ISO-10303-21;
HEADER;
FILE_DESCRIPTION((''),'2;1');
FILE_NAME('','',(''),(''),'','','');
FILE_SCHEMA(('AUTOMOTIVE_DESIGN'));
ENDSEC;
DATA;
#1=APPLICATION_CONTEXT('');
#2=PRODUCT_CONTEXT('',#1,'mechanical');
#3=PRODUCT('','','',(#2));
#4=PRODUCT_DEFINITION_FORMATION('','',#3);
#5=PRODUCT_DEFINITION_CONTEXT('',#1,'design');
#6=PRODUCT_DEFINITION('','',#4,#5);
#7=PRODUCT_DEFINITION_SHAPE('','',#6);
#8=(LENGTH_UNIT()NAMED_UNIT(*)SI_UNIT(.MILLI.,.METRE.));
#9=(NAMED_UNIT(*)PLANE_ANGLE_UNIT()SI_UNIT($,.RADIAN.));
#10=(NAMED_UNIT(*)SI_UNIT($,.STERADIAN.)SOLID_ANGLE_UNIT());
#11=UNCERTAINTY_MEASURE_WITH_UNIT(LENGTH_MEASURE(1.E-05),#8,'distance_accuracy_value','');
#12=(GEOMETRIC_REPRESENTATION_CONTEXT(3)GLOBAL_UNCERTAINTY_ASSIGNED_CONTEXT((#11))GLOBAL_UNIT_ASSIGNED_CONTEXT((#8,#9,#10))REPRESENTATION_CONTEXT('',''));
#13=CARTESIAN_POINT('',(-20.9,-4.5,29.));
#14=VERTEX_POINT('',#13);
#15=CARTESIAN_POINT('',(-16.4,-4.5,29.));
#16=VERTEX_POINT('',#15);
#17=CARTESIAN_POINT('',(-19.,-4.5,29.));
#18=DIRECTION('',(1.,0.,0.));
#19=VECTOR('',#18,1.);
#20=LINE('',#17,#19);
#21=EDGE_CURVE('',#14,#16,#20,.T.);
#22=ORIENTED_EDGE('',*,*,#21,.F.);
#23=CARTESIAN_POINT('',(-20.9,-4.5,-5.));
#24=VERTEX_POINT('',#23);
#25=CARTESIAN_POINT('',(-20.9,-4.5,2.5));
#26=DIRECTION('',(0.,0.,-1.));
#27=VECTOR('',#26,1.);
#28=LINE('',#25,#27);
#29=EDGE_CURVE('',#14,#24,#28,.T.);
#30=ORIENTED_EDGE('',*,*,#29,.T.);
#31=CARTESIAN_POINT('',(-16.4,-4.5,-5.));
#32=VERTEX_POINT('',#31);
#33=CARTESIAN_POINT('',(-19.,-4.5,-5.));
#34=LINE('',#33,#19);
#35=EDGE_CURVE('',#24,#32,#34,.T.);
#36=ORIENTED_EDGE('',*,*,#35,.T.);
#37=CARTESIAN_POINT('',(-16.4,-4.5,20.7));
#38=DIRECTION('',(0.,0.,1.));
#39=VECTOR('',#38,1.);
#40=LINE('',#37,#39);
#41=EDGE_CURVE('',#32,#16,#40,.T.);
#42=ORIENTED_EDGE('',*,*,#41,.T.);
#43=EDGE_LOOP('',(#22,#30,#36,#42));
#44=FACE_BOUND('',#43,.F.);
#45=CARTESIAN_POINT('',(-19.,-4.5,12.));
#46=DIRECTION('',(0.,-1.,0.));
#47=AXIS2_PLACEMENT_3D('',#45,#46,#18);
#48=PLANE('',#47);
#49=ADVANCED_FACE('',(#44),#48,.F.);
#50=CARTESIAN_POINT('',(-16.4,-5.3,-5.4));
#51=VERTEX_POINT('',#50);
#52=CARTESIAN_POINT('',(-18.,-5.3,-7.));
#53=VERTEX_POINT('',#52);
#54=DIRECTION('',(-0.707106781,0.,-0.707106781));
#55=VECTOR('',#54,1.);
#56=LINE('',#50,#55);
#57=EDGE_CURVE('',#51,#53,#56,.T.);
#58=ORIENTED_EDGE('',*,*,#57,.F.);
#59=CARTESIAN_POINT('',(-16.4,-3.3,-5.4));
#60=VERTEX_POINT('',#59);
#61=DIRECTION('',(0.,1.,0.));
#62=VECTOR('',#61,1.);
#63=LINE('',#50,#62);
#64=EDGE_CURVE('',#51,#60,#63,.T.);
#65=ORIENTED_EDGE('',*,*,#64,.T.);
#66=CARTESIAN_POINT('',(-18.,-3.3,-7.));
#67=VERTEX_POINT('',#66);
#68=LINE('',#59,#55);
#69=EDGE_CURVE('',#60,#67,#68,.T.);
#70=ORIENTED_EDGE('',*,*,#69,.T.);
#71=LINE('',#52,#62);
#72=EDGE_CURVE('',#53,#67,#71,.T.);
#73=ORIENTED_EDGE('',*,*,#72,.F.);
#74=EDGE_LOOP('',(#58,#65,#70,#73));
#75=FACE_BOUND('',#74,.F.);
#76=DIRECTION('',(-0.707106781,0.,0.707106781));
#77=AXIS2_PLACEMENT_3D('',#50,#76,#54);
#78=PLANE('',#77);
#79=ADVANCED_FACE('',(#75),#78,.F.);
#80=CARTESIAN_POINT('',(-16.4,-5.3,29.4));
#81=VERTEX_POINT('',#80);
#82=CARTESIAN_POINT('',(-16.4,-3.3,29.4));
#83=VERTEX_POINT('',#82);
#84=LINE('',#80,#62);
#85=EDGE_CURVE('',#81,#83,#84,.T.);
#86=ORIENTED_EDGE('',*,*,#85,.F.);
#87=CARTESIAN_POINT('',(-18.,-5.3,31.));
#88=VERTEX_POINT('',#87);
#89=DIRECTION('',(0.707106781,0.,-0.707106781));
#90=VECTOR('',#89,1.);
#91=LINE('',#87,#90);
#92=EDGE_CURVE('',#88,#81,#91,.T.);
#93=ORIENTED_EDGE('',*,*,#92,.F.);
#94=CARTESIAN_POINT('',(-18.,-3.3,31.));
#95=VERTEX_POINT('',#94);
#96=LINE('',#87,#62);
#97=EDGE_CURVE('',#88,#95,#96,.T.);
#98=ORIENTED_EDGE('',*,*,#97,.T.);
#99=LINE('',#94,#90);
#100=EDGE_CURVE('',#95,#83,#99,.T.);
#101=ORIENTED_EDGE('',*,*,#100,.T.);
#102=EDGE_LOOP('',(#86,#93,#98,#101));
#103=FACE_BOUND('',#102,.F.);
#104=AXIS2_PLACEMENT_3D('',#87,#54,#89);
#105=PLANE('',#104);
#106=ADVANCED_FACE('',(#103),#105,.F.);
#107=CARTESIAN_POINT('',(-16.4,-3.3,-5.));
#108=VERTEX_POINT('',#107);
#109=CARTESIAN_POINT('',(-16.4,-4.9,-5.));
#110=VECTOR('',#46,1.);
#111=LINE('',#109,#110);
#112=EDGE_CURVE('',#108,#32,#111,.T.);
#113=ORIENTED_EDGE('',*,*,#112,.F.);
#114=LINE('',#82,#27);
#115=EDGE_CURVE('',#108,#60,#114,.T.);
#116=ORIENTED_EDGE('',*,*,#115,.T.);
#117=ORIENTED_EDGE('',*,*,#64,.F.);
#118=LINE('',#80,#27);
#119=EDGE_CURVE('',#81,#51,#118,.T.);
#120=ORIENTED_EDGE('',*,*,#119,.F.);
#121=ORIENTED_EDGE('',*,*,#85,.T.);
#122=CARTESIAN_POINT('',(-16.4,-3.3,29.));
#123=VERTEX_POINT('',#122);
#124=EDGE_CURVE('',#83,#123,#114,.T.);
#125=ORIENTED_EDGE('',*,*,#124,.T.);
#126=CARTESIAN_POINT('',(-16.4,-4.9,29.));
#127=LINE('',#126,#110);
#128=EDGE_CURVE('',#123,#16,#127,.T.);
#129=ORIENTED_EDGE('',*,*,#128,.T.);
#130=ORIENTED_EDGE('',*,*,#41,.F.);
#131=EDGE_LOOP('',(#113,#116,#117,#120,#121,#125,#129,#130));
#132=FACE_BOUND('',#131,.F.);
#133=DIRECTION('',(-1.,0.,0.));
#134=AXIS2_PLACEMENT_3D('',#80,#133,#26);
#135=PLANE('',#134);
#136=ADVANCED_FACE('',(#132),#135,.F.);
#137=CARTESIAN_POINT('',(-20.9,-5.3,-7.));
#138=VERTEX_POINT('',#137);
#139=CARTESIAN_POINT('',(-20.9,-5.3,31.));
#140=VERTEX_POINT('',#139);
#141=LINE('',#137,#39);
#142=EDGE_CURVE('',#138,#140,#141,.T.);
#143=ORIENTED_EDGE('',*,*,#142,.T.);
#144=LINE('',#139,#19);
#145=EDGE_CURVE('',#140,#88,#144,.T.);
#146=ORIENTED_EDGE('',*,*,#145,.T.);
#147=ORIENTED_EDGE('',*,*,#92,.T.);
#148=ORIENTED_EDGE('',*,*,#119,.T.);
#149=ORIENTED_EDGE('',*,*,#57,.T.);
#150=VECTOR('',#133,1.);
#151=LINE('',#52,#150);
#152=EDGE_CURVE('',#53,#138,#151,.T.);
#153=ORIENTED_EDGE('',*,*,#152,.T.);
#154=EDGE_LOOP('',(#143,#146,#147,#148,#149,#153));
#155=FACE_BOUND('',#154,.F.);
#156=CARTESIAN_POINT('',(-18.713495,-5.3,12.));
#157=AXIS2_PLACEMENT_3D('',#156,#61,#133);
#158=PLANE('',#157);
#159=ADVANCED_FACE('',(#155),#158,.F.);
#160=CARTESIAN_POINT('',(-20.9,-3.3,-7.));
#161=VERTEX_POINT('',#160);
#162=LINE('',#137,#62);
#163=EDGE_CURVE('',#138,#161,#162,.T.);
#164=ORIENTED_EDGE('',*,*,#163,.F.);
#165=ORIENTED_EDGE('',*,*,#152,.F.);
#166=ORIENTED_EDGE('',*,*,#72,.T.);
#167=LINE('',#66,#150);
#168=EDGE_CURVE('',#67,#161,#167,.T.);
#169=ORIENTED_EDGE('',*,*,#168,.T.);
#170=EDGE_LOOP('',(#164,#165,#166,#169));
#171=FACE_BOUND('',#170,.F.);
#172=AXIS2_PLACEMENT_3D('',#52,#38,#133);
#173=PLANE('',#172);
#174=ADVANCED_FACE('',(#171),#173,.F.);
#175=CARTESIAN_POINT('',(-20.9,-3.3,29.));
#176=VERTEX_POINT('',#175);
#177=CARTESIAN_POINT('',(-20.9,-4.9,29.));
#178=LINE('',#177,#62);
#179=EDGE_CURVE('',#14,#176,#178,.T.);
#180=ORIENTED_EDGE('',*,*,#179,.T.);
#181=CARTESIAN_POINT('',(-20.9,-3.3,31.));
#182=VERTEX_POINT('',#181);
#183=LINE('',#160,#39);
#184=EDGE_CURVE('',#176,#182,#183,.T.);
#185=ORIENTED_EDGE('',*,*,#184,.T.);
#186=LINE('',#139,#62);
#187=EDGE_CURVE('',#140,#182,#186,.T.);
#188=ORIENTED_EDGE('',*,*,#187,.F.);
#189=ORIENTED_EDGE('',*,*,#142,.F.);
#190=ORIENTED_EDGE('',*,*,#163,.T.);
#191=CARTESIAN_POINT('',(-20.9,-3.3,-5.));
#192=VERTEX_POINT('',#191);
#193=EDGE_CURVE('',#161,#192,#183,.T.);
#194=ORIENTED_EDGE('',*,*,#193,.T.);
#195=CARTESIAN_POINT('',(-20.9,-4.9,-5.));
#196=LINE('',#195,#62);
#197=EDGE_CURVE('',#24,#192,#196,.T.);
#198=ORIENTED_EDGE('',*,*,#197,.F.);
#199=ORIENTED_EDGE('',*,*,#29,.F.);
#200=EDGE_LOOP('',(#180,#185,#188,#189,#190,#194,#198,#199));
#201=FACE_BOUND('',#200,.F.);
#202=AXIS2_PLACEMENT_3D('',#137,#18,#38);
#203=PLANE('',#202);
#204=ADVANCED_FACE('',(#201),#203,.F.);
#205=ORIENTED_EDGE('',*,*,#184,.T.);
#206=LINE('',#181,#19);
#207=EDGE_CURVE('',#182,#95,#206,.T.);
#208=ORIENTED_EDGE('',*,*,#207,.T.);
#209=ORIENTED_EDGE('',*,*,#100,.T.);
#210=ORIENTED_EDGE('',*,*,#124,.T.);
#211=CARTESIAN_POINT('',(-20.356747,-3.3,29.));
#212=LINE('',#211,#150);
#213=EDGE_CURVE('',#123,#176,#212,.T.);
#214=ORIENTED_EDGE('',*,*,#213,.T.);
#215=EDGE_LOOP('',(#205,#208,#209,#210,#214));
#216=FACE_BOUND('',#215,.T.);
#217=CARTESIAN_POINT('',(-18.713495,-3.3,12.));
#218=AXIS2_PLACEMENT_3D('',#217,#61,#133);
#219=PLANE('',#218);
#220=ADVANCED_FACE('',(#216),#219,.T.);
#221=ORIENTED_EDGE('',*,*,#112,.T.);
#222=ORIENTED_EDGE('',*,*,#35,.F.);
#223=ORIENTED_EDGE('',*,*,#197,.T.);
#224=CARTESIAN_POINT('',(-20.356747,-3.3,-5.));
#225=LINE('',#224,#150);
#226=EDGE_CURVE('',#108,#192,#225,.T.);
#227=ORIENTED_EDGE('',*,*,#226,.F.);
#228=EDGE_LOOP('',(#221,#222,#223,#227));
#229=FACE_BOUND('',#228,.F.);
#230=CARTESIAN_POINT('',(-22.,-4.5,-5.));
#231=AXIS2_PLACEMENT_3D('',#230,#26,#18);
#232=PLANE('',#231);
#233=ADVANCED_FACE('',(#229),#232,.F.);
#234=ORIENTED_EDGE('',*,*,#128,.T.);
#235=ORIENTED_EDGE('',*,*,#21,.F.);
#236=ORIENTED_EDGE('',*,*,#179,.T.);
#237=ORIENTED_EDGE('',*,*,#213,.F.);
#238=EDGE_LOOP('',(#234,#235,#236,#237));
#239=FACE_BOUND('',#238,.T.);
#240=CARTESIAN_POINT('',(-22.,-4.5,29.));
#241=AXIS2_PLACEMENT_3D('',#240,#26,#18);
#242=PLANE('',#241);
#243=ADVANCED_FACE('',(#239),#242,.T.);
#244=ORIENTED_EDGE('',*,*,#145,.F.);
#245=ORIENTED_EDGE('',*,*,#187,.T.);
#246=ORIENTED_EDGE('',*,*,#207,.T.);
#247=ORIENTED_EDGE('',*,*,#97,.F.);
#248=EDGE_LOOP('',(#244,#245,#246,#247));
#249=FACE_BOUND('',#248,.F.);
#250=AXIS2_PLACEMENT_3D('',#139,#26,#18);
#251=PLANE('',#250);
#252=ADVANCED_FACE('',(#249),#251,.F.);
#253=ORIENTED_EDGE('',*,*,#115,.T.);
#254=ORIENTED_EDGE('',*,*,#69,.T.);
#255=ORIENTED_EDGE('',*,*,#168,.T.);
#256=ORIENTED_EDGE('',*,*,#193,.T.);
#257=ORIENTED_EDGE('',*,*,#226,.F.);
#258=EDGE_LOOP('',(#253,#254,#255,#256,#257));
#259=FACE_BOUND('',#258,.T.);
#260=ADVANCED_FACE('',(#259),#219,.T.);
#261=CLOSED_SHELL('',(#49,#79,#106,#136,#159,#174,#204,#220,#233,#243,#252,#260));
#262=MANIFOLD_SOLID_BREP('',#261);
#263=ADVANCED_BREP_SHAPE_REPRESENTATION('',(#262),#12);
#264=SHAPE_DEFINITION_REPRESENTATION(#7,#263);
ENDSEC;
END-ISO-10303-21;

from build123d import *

# Parameters (mm, degrees)
SKETCH040_W      = 6
SKETCH040_H      = 34
EXTRUDE049_DEPTH = 2
EXTRUDE048_DEPTH = 2


with BuildPart() as extrude049:
    # Sketch040 → Extrude049 (new body)
    with BuildSketch(Plane.XZ.offset(4.5)):
        with Locations((-59, 12)):
            Rectangle(SKETCH040_W, SKETCH040_H)
    extrude(amount=-EXTRUDE049_DEPTH)


with BuildPart() as bulge_overlap:
    # Sketch039 → Extrude048 (new body)
    with BuildSketch(Plane.XZ.offset(5.3)):
        Polygon((-58, 31), (-56.4, 29.4), (-56.4, -5.4), (-58, -7), (-60.9, -7), (-60.9, 31), align=None)
    extrude(amount=-EXTRUDE048_DEPTH)

    # Cut027: cut Extrude049
    add(extrude049.part, mode=Mode.SUBTRACT)


with BuildPart() as bulge_overlap_1:
    # Cut027 placement: moved
    add(bulge_overlap.part.moved(Location((40, 0, 0))))


solid = bulge_overlap_1.part
